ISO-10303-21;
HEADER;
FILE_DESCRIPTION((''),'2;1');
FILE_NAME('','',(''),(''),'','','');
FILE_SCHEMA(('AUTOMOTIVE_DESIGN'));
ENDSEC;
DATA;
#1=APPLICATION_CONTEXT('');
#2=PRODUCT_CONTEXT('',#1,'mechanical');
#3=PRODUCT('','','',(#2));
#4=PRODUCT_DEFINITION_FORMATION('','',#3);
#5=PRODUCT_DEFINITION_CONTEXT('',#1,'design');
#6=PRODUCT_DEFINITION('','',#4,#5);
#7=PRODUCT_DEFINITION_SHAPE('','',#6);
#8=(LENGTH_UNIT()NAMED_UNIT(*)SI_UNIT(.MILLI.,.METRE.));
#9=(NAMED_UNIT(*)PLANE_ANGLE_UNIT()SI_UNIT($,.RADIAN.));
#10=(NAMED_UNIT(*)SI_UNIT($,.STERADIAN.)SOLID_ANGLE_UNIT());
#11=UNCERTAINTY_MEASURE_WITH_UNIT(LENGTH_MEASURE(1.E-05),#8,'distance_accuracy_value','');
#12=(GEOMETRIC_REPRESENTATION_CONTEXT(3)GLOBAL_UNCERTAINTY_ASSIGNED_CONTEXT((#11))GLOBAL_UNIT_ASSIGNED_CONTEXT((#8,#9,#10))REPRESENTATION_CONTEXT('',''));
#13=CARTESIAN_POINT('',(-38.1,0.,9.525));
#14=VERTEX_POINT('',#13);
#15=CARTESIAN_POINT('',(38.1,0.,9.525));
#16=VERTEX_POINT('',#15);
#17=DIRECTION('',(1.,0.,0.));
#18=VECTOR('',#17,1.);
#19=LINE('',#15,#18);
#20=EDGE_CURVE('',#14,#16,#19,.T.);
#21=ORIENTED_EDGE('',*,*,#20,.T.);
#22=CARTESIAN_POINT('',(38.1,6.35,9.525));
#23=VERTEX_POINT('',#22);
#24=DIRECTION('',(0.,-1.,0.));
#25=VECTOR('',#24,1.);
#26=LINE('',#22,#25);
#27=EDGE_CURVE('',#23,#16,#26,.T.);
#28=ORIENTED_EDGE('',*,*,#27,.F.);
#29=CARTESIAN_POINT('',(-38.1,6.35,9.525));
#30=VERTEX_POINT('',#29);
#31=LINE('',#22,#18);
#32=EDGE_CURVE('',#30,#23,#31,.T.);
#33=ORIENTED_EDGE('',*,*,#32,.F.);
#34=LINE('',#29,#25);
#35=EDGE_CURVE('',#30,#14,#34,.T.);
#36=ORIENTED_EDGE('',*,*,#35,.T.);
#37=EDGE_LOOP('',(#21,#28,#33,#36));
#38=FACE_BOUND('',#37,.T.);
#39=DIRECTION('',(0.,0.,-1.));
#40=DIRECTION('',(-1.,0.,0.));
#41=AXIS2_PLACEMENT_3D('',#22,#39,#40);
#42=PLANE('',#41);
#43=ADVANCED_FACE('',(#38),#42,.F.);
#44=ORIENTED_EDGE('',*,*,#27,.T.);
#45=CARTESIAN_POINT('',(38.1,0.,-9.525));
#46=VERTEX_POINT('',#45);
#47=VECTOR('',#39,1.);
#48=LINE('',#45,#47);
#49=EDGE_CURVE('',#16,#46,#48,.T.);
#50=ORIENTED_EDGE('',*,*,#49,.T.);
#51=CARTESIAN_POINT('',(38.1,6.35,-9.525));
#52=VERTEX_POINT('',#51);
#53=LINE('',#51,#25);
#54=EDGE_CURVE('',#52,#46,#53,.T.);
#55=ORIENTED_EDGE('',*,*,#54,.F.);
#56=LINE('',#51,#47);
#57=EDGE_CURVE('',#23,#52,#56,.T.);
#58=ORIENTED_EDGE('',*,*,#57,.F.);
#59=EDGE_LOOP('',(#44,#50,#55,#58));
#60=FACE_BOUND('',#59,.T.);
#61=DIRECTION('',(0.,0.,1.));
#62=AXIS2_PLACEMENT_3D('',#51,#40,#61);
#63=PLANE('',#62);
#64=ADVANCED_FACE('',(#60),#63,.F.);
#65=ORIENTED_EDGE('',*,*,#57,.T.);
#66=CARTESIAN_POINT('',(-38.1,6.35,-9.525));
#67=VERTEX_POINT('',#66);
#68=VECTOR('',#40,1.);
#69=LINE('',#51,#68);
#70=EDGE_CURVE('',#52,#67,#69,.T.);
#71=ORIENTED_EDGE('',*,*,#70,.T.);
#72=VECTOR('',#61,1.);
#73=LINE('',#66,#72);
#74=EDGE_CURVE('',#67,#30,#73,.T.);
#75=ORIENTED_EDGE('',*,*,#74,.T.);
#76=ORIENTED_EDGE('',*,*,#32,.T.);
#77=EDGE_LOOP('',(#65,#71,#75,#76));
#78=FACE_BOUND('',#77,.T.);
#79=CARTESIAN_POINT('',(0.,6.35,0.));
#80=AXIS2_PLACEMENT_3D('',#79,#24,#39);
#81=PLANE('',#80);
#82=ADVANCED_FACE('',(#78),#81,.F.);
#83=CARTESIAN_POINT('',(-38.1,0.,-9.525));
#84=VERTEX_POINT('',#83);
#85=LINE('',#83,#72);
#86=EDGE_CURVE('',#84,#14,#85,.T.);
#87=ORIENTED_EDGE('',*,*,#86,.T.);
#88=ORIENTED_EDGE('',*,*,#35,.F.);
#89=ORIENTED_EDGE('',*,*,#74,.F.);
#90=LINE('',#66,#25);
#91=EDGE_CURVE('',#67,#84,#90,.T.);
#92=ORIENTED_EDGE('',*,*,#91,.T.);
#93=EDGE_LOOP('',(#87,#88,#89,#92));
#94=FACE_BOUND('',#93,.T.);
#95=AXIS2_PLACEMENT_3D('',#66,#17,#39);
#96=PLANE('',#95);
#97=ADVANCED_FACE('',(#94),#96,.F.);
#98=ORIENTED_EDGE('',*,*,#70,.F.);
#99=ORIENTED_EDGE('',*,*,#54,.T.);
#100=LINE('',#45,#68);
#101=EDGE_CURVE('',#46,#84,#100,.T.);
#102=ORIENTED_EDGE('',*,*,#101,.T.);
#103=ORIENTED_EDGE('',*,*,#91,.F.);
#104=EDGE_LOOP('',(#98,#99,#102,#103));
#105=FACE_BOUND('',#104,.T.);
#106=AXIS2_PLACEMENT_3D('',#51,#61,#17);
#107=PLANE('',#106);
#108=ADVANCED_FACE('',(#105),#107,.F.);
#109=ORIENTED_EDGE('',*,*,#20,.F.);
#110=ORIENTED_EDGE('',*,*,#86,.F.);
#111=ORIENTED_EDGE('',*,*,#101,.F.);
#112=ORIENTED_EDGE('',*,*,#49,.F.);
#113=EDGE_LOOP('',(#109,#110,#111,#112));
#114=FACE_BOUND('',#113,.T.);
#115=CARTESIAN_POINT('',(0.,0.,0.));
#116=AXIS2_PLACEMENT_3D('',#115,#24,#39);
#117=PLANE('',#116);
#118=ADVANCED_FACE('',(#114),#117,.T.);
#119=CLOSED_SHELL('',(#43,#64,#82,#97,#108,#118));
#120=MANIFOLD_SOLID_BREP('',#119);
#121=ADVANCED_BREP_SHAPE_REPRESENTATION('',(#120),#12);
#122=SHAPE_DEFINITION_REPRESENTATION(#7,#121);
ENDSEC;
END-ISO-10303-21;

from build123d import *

# Parameters (mm, degrees)
SKETCH1_W           = 76.2
SKETCH1_H           = 19.05
BOSS_EXTRUDE1_DEPTH = 6.35


with BuildPart() as part:
    # Sketch1 → Boss-Extrude1 (new body)
    with BuildSketch(Plane(origin=(0, 0, 0), x_dir=(1, 0, 0), z_dir=(0, 1, 0))):
        Rectangle(SKETCH1_W, SKETCH1_H)
    extrude(amount=BOSS_EXTRUDE1_DEPTH)


solid = part.part
